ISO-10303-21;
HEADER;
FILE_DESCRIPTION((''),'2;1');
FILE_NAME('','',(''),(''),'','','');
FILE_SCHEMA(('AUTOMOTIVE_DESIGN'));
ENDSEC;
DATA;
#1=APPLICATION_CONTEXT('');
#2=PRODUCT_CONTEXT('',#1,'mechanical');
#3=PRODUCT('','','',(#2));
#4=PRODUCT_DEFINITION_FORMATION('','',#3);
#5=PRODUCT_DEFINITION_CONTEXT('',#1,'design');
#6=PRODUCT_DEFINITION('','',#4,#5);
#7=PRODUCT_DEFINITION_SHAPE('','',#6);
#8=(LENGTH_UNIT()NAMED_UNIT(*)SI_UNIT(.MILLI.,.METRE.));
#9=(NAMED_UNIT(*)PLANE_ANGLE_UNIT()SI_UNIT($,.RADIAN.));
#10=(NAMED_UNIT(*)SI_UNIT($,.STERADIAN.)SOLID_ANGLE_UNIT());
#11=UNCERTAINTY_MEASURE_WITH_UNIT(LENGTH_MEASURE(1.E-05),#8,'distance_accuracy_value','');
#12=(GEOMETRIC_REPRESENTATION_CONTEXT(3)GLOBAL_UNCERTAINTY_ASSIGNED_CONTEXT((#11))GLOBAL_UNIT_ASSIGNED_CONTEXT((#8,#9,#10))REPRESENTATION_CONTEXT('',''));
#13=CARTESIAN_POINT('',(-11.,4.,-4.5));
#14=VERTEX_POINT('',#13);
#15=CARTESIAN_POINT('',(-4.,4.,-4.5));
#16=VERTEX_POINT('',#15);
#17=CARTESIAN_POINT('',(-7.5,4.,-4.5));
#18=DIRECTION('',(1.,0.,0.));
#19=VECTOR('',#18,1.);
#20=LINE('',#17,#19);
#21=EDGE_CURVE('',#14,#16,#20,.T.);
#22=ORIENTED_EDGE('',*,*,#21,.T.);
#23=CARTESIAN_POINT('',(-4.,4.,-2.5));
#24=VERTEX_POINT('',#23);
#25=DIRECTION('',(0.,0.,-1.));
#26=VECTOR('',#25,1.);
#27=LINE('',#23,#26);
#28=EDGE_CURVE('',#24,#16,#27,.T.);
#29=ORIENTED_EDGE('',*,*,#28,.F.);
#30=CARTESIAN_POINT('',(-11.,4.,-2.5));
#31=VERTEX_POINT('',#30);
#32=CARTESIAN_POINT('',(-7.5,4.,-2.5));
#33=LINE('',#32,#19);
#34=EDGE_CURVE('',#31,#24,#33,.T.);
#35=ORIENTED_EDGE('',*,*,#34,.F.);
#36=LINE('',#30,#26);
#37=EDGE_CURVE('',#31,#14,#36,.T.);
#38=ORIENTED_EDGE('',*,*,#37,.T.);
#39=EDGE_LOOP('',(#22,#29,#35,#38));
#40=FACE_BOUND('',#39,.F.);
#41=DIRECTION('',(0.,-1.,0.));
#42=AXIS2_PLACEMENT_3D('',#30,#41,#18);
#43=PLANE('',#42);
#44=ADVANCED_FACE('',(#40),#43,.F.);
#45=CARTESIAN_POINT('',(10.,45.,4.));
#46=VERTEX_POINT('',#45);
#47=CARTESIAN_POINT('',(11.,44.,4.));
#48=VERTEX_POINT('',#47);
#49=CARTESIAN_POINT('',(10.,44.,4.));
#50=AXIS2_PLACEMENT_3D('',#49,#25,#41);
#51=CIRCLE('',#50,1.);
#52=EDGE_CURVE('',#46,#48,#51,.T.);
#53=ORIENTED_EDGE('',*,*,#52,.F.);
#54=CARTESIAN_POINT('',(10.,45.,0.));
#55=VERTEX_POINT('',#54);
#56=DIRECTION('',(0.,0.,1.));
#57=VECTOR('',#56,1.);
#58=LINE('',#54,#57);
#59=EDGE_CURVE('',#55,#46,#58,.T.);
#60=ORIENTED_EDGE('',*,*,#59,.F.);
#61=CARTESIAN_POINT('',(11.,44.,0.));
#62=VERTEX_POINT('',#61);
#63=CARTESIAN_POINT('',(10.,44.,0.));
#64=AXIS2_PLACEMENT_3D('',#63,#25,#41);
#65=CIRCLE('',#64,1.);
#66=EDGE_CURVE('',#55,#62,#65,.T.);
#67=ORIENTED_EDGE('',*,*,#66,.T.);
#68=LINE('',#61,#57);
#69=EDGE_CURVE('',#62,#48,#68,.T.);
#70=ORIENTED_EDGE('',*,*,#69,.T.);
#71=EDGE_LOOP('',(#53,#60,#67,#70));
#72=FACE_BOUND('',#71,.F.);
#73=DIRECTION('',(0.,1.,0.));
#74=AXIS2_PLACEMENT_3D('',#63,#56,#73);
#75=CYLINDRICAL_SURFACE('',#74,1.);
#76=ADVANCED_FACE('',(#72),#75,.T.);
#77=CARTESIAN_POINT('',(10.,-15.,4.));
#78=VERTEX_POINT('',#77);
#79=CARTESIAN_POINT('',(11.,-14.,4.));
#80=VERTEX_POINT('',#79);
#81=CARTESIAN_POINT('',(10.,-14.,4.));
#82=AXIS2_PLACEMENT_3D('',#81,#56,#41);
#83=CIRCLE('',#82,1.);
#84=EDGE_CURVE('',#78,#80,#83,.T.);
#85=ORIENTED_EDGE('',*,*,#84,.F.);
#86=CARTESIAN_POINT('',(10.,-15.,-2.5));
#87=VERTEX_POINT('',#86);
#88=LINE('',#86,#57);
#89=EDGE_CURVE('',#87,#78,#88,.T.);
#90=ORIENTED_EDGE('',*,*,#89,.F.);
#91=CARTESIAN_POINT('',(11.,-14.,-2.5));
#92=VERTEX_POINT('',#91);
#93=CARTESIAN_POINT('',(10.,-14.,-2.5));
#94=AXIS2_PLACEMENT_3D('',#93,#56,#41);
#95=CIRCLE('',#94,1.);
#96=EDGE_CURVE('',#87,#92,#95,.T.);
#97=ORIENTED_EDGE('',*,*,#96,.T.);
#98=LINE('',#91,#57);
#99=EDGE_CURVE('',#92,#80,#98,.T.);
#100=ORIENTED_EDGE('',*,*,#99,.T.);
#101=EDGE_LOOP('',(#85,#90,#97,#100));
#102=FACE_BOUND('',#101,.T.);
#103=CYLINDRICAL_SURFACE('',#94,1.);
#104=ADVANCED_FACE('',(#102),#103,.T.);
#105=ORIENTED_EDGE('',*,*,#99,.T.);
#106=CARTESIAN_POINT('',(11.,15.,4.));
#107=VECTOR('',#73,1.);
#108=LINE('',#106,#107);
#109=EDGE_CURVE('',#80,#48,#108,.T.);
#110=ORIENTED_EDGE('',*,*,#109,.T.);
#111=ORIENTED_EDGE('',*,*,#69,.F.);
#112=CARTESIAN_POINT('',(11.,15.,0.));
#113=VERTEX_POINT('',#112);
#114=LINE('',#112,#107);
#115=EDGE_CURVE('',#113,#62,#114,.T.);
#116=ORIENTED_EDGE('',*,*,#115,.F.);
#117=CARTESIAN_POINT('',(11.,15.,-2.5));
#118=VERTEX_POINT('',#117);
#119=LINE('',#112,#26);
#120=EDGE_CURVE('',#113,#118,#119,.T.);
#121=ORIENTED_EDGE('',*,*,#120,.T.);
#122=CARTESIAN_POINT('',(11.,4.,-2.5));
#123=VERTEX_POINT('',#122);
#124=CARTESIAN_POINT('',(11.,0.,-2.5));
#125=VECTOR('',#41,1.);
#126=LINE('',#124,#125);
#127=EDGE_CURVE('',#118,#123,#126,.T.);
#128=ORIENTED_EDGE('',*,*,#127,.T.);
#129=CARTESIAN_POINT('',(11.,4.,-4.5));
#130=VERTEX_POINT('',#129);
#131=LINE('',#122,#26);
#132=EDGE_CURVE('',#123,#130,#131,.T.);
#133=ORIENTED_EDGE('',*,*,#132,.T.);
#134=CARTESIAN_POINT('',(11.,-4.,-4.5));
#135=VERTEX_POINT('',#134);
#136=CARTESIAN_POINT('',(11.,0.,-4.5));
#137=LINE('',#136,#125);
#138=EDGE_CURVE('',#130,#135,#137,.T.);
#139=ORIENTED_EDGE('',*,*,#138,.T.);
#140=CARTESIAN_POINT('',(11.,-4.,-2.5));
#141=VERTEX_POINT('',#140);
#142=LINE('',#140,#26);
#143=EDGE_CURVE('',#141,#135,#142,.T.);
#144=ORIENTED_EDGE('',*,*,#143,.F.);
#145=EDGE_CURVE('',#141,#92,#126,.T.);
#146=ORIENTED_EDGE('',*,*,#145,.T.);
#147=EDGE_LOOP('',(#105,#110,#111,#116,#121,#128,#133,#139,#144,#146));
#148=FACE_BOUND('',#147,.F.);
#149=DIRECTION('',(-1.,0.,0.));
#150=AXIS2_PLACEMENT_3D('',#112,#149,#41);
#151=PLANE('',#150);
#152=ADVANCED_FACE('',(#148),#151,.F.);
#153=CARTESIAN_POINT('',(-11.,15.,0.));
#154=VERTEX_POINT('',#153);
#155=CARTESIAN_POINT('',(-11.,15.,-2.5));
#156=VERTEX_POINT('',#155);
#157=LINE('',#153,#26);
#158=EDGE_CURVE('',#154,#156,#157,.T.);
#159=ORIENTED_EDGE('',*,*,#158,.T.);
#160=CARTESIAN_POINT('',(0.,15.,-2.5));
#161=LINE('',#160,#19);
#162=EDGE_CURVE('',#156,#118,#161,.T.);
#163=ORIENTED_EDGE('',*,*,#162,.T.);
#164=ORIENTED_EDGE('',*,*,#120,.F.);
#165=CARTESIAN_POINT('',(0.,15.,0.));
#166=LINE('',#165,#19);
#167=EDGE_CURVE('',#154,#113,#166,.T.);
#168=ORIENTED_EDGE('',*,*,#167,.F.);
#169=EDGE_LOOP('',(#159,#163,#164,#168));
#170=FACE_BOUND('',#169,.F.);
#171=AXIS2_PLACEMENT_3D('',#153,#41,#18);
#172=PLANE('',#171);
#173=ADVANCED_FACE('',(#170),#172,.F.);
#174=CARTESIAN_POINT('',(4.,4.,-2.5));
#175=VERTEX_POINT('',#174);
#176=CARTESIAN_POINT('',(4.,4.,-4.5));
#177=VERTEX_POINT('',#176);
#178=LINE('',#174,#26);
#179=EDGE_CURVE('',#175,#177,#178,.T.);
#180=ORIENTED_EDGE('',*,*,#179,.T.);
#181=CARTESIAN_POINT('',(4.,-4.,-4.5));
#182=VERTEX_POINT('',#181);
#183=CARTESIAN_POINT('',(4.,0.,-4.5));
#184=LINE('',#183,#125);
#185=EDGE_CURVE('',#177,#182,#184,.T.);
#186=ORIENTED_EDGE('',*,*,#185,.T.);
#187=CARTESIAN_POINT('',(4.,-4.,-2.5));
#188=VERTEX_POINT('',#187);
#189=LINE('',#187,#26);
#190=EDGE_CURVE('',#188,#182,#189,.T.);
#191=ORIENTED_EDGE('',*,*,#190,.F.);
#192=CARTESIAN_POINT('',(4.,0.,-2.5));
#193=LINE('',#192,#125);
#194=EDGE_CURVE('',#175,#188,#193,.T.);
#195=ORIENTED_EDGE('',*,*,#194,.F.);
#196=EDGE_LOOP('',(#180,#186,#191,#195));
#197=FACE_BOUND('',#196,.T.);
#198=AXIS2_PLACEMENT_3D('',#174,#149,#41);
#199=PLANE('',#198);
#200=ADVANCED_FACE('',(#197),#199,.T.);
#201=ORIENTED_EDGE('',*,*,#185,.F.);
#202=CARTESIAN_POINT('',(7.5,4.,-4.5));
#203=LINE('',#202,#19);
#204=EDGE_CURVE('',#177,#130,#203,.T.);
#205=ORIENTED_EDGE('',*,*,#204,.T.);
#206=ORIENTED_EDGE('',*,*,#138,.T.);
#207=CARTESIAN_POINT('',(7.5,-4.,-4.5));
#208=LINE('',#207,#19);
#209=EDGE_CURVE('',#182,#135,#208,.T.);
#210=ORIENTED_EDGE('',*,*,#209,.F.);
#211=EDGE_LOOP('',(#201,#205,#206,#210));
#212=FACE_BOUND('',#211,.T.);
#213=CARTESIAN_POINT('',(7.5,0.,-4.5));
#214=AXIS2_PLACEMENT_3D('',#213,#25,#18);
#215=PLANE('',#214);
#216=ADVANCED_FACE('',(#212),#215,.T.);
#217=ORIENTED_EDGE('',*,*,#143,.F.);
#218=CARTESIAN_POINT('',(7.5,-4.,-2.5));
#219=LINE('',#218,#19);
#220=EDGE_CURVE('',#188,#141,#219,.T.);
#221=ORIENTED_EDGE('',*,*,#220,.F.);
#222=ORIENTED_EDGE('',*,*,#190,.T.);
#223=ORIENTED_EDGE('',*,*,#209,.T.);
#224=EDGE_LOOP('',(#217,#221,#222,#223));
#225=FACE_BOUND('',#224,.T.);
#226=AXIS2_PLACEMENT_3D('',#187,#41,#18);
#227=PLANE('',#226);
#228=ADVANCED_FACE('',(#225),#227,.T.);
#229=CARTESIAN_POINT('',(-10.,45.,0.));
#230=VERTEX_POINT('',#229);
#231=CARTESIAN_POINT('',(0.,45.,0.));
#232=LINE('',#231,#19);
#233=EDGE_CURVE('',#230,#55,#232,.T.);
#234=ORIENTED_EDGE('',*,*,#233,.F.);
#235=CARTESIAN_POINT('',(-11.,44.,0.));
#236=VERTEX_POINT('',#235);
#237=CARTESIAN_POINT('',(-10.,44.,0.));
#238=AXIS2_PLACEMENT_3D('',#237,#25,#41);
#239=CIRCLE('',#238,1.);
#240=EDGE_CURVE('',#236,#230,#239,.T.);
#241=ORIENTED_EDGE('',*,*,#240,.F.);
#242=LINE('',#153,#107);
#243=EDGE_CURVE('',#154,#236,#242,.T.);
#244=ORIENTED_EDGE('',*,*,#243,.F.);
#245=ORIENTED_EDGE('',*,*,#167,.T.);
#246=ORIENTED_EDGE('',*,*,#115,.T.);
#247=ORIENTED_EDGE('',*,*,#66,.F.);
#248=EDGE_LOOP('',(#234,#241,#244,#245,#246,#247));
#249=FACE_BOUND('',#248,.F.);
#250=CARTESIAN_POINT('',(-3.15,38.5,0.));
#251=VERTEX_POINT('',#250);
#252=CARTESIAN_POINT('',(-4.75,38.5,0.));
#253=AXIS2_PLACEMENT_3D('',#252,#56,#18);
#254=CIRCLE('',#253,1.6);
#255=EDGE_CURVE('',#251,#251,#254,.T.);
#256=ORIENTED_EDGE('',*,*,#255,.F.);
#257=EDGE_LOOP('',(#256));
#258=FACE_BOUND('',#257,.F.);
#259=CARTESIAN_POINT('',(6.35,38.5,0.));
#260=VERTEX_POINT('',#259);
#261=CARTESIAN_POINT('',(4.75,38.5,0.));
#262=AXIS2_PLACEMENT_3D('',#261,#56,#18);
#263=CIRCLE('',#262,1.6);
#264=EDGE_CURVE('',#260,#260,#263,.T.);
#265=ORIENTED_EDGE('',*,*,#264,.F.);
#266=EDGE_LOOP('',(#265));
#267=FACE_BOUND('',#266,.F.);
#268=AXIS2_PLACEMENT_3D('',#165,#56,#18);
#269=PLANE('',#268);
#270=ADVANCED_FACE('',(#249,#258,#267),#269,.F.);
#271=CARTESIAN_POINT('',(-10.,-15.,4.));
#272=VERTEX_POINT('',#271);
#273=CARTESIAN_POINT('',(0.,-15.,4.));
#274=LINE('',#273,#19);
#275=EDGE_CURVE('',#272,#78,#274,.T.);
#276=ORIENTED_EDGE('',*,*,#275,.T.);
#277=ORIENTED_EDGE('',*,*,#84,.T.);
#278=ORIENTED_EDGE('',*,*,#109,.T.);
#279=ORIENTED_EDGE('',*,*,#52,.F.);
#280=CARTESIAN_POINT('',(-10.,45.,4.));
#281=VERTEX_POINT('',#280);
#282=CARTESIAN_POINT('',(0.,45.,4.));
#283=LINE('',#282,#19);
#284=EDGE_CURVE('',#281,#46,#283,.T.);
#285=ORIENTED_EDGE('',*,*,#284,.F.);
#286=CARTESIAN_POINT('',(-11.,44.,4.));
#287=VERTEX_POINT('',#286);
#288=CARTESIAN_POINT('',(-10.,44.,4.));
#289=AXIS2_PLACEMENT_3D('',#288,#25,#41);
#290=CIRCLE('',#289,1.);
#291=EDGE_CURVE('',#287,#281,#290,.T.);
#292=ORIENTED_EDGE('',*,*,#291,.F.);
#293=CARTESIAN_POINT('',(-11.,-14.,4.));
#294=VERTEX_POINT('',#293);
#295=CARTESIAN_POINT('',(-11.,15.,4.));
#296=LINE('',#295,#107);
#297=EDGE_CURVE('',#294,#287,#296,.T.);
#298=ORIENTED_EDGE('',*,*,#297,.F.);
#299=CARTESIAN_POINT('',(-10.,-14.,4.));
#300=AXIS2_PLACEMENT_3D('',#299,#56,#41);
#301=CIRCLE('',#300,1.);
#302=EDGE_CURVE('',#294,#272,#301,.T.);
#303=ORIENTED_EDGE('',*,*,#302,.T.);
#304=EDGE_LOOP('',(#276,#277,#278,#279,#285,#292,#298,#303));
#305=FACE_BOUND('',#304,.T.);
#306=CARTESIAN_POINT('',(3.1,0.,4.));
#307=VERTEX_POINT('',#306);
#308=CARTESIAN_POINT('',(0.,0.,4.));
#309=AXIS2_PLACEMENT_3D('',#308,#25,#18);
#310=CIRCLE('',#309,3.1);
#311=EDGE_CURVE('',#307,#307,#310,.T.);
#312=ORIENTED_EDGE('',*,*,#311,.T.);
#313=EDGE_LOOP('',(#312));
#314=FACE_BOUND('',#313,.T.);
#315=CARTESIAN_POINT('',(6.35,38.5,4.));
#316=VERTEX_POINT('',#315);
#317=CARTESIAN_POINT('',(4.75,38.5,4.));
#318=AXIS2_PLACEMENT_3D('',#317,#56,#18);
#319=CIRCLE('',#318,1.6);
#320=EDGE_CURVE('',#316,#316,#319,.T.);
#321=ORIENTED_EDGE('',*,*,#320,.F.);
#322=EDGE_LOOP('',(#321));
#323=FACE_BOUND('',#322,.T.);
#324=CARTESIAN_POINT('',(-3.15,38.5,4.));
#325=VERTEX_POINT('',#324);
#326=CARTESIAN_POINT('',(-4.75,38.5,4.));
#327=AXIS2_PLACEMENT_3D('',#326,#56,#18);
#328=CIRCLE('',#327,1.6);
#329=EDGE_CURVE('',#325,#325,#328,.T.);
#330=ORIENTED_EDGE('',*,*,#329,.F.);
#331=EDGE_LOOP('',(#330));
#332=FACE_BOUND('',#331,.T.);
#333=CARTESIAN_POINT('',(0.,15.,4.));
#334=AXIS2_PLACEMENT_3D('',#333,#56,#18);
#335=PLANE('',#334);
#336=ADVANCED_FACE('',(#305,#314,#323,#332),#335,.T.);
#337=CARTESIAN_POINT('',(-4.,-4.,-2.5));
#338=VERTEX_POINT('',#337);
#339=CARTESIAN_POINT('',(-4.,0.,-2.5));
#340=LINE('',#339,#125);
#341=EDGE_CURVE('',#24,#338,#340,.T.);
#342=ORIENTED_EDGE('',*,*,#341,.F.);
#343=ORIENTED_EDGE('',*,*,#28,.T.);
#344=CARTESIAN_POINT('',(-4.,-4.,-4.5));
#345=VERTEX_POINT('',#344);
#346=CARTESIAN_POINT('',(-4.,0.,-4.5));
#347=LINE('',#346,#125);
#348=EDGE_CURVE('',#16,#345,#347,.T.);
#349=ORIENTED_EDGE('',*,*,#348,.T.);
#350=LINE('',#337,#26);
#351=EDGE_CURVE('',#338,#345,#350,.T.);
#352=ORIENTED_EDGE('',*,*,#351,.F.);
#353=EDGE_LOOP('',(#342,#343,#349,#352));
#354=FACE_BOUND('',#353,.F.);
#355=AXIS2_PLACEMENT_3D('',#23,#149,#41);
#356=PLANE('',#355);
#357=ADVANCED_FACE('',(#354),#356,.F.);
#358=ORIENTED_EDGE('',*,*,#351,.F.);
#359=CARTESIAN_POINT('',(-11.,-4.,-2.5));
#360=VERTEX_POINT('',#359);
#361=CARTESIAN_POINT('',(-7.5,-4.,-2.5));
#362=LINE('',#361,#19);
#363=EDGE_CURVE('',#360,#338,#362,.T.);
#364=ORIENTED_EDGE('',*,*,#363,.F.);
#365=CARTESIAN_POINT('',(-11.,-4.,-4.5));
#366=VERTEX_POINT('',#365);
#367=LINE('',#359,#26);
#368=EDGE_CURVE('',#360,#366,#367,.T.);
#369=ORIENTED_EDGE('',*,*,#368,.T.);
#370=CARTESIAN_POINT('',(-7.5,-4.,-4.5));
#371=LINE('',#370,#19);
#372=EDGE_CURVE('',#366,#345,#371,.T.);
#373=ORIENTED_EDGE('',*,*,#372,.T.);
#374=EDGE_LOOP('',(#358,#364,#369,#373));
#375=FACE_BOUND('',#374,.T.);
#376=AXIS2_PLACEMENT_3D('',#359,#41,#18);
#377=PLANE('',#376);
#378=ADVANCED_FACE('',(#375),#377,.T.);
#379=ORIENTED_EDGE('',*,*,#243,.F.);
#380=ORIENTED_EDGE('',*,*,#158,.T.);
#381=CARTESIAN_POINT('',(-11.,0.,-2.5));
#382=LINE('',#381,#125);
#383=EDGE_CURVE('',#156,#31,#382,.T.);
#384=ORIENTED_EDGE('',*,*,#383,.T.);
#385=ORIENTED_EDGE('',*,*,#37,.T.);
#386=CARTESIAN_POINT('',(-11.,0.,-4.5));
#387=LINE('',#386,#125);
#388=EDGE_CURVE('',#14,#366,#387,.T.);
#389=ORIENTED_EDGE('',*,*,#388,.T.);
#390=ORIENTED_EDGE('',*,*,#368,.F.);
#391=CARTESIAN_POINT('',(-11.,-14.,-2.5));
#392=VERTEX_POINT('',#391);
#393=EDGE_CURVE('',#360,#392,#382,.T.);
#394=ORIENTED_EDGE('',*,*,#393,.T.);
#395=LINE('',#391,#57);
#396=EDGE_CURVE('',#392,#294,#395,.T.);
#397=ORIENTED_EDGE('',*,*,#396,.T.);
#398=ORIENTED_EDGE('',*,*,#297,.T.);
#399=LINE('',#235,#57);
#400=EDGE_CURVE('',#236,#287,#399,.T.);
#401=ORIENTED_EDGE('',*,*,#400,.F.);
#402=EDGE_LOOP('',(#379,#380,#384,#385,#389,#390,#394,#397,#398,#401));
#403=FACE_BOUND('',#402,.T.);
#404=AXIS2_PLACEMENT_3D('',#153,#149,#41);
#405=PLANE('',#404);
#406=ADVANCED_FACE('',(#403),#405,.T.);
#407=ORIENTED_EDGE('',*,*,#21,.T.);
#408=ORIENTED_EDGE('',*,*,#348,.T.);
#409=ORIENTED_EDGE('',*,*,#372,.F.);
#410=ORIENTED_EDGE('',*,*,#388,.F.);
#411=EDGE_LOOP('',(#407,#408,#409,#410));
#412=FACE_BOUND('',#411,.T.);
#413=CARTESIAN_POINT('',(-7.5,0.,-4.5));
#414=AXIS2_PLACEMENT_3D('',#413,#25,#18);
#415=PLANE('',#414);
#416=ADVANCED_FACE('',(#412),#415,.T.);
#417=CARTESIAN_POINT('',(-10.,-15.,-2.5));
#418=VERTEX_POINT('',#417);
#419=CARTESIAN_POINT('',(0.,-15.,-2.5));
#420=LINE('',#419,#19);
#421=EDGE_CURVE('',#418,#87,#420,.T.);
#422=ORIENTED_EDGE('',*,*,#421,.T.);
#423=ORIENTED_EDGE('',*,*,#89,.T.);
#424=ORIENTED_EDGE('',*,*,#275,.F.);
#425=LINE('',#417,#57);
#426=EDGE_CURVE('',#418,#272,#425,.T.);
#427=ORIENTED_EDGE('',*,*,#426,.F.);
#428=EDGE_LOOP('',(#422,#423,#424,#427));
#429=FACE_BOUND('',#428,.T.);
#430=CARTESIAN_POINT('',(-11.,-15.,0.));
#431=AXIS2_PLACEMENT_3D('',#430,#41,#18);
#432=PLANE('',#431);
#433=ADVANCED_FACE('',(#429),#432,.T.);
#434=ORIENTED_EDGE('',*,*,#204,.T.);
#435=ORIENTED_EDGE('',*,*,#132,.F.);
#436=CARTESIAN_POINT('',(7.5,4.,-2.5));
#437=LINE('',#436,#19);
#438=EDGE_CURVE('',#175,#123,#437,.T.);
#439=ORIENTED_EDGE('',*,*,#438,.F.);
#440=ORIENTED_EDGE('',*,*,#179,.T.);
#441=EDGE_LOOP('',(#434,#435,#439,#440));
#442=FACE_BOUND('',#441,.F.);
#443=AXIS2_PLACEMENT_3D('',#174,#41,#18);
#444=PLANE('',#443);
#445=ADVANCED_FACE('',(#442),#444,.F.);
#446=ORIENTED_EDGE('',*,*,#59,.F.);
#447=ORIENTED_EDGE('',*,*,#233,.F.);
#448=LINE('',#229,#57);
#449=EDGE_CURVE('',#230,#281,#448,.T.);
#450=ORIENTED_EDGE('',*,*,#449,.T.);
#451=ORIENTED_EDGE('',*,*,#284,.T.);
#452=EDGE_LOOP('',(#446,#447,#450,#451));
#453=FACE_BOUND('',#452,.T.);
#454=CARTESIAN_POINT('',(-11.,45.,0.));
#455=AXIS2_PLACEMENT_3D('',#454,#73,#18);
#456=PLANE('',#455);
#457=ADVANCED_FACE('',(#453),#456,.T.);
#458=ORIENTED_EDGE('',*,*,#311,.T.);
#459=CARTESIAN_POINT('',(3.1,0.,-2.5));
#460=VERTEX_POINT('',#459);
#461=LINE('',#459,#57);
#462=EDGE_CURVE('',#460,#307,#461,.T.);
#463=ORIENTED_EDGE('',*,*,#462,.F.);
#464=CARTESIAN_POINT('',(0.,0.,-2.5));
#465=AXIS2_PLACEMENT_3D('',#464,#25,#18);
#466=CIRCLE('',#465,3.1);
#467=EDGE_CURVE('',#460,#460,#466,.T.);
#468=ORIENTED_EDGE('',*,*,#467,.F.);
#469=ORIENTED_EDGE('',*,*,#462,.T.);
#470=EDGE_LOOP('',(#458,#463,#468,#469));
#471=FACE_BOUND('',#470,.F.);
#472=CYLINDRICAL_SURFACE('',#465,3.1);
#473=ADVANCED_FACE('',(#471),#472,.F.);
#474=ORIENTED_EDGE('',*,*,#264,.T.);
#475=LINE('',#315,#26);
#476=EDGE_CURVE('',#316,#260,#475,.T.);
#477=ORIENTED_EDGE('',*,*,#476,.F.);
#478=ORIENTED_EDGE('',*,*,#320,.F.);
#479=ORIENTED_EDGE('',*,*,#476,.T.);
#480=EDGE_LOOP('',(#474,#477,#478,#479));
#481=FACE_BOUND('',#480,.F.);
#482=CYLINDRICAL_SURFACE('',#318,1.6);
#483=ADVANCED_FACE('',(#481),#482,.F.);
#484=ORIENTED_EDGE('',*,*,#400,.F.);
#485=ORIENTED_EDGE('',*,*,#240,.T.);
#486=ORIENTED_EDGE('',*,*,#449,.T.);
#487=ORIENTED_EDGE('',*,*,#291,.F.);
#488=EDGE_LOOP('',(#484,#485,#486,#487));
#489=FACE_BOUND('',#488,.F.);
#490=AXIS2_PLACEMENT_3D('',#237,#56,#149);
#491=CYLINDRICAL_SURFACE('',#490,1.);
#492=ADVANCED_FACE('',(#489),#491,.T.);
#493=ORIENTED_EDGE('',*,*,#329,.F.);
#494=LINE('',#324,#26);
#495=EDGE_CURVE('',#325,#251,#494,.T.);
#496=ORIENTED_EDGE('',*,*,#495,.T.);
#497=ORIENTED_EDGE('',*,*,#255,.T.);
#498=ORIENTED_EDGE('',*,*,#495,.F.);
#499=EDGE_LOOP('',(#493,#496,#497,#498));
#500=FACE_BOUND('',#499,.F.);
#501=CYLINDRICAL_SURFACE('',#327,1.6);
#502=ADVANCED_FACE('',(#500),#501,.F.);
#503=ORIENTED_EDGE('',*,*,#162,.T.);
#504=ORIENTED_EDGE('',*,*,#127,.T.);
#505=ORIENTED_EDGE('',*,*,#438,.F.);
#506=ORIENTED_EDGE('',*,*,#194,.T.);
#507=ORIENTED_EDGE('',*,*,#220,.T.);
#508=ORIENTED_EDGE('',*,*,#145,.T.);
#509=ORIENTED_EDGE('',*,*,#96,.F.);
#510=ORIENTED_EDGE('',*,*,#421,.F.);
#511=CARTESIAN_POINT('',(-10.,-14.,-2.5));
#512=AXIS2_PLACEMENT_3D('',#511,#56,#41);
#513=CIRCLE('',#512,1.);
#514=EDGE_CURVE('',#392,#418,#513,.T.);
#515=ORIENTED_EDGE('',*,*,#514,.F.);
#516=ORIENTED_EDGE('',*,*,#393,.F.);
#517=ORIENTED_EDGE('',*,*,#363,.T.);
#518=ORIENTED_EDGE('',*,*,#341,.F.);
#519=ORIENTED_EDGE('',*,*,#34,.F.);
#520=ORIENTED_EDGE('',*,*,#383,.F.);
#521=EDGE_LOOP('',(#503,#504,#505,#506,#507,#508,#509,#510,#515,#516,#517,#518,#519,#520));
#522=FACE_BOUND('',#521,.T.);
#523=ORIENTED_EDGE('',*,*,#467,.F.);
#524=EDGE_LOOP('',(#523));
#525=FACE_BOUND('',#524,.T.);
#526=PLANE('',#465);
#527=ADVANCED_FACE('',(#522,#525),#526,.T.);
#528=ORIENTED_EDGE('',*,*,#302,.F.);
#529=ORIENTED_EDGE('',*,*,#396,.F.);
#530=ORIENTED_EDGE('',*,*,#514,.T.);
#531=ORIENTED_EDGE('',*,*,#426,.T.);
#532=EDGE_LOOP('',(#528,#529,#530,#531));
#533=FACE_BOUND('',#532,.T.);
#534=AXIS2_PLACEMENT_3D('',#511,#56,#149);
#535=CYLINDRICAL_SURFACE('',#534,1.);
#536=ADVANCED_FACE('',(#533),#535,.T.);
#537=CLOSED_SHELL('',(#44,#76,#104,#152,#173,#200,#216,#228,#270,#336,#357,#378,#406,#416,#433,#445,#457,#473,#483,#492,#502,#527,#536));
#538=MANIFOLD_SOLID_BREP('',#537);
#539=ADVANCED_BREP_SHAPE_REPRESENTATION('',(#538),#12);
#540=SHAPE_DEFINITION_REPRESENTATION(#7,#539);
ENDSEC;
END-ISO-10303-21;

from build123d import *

# Parameters (mm, degrees)
SKETCH_W        = 22
SKETCH_H        = 60
PAD_DEPTH       = 4
SKETCH001_W     = 22
SKETCH001_H     = 30
PAD001_DEPTH    = 2.5
SKETCH002_W     = 7
SKETCH002_H     = 8
PAD002_DEPTH    = 2
SKETCH003_R     = 3.1
POCKET_DEPTH    = 6.501
SKETCH004_R     = 1.6
POCKET001_DEPTH = 8.501
FILLET_R        = 1


with BuildPart() as part:
    # Sketch → Pad (new body)
    with BuildSketch(Plane.XY):
        with Locations((0, 15)):
            Rectangle(SKETCH_W, SKETCH_H)
    extrude(amount=PAD_DEPTH)

    # Sketch001 (on Face5 of Pad) → Pad001 (join)
    with BuildSketch(Plane(origin=(0, 0, 0), x_dir=(1, 0, 0), z_dir=(0, 0, -1))):
        Rectangle(SKETCH001_W, SKETCH001_H)
    extrude(amount=PAD001_DEPTH)

    # Sketch002 (on Face5 of Pad001) → Pad002 (join)
    with BuildSketch(Plane(origin=(0, 0, -2.5), x_dir=(1, 0, 0), z_dir=(0, 0, -1))):
        with Locations((-7.5, 0)):
            Rectangle(SKETCH002_W, SKETCH002_H)
        with Locations((7.5, 0)):
            Rectangle(SKETCH002_W, SKETCH002_H)
    extrude(amount=PAD002_DEPTH)

    # Sketch003 (on Face5 of Pad002) → Pocket (cut, through all)
    with BuildSketch(Plane(origin=(0, 0, -2.5), x_dir=(1, 0, 0), z_dir=(0, 0, -1))):
        Circle(SKETCH003_R)
    extrude(amount=-POCKET_DEPTH, mode=Mode.SUBTRACT)

    # Sketch004 (on Face5 of Pocket) → Pocket001 (cut, through all)
    with BuildSketch(Plane.XY.offset(4)):
        with Locations((-4.75, 38.5)):
            Circle(SKETCH004_R)
        with Locations((4.75, 38.5)):
            Circle(SKETCH004_R)
    extrude(amount=-POCKET001_DEPTH, mode=Mode.SUBTRACT)

    # Fillet
    fillet_edges = [part.edges().sort_by_distance(p)[0] for p in [
        (-11, -15, 0.75),
        (11, -15, 0.75),
        (-11, 45, 2),
        (11, 45, 2),
    ]]
    fillet(fillet_edges, radius=FILLET_R)


solid = part.part
